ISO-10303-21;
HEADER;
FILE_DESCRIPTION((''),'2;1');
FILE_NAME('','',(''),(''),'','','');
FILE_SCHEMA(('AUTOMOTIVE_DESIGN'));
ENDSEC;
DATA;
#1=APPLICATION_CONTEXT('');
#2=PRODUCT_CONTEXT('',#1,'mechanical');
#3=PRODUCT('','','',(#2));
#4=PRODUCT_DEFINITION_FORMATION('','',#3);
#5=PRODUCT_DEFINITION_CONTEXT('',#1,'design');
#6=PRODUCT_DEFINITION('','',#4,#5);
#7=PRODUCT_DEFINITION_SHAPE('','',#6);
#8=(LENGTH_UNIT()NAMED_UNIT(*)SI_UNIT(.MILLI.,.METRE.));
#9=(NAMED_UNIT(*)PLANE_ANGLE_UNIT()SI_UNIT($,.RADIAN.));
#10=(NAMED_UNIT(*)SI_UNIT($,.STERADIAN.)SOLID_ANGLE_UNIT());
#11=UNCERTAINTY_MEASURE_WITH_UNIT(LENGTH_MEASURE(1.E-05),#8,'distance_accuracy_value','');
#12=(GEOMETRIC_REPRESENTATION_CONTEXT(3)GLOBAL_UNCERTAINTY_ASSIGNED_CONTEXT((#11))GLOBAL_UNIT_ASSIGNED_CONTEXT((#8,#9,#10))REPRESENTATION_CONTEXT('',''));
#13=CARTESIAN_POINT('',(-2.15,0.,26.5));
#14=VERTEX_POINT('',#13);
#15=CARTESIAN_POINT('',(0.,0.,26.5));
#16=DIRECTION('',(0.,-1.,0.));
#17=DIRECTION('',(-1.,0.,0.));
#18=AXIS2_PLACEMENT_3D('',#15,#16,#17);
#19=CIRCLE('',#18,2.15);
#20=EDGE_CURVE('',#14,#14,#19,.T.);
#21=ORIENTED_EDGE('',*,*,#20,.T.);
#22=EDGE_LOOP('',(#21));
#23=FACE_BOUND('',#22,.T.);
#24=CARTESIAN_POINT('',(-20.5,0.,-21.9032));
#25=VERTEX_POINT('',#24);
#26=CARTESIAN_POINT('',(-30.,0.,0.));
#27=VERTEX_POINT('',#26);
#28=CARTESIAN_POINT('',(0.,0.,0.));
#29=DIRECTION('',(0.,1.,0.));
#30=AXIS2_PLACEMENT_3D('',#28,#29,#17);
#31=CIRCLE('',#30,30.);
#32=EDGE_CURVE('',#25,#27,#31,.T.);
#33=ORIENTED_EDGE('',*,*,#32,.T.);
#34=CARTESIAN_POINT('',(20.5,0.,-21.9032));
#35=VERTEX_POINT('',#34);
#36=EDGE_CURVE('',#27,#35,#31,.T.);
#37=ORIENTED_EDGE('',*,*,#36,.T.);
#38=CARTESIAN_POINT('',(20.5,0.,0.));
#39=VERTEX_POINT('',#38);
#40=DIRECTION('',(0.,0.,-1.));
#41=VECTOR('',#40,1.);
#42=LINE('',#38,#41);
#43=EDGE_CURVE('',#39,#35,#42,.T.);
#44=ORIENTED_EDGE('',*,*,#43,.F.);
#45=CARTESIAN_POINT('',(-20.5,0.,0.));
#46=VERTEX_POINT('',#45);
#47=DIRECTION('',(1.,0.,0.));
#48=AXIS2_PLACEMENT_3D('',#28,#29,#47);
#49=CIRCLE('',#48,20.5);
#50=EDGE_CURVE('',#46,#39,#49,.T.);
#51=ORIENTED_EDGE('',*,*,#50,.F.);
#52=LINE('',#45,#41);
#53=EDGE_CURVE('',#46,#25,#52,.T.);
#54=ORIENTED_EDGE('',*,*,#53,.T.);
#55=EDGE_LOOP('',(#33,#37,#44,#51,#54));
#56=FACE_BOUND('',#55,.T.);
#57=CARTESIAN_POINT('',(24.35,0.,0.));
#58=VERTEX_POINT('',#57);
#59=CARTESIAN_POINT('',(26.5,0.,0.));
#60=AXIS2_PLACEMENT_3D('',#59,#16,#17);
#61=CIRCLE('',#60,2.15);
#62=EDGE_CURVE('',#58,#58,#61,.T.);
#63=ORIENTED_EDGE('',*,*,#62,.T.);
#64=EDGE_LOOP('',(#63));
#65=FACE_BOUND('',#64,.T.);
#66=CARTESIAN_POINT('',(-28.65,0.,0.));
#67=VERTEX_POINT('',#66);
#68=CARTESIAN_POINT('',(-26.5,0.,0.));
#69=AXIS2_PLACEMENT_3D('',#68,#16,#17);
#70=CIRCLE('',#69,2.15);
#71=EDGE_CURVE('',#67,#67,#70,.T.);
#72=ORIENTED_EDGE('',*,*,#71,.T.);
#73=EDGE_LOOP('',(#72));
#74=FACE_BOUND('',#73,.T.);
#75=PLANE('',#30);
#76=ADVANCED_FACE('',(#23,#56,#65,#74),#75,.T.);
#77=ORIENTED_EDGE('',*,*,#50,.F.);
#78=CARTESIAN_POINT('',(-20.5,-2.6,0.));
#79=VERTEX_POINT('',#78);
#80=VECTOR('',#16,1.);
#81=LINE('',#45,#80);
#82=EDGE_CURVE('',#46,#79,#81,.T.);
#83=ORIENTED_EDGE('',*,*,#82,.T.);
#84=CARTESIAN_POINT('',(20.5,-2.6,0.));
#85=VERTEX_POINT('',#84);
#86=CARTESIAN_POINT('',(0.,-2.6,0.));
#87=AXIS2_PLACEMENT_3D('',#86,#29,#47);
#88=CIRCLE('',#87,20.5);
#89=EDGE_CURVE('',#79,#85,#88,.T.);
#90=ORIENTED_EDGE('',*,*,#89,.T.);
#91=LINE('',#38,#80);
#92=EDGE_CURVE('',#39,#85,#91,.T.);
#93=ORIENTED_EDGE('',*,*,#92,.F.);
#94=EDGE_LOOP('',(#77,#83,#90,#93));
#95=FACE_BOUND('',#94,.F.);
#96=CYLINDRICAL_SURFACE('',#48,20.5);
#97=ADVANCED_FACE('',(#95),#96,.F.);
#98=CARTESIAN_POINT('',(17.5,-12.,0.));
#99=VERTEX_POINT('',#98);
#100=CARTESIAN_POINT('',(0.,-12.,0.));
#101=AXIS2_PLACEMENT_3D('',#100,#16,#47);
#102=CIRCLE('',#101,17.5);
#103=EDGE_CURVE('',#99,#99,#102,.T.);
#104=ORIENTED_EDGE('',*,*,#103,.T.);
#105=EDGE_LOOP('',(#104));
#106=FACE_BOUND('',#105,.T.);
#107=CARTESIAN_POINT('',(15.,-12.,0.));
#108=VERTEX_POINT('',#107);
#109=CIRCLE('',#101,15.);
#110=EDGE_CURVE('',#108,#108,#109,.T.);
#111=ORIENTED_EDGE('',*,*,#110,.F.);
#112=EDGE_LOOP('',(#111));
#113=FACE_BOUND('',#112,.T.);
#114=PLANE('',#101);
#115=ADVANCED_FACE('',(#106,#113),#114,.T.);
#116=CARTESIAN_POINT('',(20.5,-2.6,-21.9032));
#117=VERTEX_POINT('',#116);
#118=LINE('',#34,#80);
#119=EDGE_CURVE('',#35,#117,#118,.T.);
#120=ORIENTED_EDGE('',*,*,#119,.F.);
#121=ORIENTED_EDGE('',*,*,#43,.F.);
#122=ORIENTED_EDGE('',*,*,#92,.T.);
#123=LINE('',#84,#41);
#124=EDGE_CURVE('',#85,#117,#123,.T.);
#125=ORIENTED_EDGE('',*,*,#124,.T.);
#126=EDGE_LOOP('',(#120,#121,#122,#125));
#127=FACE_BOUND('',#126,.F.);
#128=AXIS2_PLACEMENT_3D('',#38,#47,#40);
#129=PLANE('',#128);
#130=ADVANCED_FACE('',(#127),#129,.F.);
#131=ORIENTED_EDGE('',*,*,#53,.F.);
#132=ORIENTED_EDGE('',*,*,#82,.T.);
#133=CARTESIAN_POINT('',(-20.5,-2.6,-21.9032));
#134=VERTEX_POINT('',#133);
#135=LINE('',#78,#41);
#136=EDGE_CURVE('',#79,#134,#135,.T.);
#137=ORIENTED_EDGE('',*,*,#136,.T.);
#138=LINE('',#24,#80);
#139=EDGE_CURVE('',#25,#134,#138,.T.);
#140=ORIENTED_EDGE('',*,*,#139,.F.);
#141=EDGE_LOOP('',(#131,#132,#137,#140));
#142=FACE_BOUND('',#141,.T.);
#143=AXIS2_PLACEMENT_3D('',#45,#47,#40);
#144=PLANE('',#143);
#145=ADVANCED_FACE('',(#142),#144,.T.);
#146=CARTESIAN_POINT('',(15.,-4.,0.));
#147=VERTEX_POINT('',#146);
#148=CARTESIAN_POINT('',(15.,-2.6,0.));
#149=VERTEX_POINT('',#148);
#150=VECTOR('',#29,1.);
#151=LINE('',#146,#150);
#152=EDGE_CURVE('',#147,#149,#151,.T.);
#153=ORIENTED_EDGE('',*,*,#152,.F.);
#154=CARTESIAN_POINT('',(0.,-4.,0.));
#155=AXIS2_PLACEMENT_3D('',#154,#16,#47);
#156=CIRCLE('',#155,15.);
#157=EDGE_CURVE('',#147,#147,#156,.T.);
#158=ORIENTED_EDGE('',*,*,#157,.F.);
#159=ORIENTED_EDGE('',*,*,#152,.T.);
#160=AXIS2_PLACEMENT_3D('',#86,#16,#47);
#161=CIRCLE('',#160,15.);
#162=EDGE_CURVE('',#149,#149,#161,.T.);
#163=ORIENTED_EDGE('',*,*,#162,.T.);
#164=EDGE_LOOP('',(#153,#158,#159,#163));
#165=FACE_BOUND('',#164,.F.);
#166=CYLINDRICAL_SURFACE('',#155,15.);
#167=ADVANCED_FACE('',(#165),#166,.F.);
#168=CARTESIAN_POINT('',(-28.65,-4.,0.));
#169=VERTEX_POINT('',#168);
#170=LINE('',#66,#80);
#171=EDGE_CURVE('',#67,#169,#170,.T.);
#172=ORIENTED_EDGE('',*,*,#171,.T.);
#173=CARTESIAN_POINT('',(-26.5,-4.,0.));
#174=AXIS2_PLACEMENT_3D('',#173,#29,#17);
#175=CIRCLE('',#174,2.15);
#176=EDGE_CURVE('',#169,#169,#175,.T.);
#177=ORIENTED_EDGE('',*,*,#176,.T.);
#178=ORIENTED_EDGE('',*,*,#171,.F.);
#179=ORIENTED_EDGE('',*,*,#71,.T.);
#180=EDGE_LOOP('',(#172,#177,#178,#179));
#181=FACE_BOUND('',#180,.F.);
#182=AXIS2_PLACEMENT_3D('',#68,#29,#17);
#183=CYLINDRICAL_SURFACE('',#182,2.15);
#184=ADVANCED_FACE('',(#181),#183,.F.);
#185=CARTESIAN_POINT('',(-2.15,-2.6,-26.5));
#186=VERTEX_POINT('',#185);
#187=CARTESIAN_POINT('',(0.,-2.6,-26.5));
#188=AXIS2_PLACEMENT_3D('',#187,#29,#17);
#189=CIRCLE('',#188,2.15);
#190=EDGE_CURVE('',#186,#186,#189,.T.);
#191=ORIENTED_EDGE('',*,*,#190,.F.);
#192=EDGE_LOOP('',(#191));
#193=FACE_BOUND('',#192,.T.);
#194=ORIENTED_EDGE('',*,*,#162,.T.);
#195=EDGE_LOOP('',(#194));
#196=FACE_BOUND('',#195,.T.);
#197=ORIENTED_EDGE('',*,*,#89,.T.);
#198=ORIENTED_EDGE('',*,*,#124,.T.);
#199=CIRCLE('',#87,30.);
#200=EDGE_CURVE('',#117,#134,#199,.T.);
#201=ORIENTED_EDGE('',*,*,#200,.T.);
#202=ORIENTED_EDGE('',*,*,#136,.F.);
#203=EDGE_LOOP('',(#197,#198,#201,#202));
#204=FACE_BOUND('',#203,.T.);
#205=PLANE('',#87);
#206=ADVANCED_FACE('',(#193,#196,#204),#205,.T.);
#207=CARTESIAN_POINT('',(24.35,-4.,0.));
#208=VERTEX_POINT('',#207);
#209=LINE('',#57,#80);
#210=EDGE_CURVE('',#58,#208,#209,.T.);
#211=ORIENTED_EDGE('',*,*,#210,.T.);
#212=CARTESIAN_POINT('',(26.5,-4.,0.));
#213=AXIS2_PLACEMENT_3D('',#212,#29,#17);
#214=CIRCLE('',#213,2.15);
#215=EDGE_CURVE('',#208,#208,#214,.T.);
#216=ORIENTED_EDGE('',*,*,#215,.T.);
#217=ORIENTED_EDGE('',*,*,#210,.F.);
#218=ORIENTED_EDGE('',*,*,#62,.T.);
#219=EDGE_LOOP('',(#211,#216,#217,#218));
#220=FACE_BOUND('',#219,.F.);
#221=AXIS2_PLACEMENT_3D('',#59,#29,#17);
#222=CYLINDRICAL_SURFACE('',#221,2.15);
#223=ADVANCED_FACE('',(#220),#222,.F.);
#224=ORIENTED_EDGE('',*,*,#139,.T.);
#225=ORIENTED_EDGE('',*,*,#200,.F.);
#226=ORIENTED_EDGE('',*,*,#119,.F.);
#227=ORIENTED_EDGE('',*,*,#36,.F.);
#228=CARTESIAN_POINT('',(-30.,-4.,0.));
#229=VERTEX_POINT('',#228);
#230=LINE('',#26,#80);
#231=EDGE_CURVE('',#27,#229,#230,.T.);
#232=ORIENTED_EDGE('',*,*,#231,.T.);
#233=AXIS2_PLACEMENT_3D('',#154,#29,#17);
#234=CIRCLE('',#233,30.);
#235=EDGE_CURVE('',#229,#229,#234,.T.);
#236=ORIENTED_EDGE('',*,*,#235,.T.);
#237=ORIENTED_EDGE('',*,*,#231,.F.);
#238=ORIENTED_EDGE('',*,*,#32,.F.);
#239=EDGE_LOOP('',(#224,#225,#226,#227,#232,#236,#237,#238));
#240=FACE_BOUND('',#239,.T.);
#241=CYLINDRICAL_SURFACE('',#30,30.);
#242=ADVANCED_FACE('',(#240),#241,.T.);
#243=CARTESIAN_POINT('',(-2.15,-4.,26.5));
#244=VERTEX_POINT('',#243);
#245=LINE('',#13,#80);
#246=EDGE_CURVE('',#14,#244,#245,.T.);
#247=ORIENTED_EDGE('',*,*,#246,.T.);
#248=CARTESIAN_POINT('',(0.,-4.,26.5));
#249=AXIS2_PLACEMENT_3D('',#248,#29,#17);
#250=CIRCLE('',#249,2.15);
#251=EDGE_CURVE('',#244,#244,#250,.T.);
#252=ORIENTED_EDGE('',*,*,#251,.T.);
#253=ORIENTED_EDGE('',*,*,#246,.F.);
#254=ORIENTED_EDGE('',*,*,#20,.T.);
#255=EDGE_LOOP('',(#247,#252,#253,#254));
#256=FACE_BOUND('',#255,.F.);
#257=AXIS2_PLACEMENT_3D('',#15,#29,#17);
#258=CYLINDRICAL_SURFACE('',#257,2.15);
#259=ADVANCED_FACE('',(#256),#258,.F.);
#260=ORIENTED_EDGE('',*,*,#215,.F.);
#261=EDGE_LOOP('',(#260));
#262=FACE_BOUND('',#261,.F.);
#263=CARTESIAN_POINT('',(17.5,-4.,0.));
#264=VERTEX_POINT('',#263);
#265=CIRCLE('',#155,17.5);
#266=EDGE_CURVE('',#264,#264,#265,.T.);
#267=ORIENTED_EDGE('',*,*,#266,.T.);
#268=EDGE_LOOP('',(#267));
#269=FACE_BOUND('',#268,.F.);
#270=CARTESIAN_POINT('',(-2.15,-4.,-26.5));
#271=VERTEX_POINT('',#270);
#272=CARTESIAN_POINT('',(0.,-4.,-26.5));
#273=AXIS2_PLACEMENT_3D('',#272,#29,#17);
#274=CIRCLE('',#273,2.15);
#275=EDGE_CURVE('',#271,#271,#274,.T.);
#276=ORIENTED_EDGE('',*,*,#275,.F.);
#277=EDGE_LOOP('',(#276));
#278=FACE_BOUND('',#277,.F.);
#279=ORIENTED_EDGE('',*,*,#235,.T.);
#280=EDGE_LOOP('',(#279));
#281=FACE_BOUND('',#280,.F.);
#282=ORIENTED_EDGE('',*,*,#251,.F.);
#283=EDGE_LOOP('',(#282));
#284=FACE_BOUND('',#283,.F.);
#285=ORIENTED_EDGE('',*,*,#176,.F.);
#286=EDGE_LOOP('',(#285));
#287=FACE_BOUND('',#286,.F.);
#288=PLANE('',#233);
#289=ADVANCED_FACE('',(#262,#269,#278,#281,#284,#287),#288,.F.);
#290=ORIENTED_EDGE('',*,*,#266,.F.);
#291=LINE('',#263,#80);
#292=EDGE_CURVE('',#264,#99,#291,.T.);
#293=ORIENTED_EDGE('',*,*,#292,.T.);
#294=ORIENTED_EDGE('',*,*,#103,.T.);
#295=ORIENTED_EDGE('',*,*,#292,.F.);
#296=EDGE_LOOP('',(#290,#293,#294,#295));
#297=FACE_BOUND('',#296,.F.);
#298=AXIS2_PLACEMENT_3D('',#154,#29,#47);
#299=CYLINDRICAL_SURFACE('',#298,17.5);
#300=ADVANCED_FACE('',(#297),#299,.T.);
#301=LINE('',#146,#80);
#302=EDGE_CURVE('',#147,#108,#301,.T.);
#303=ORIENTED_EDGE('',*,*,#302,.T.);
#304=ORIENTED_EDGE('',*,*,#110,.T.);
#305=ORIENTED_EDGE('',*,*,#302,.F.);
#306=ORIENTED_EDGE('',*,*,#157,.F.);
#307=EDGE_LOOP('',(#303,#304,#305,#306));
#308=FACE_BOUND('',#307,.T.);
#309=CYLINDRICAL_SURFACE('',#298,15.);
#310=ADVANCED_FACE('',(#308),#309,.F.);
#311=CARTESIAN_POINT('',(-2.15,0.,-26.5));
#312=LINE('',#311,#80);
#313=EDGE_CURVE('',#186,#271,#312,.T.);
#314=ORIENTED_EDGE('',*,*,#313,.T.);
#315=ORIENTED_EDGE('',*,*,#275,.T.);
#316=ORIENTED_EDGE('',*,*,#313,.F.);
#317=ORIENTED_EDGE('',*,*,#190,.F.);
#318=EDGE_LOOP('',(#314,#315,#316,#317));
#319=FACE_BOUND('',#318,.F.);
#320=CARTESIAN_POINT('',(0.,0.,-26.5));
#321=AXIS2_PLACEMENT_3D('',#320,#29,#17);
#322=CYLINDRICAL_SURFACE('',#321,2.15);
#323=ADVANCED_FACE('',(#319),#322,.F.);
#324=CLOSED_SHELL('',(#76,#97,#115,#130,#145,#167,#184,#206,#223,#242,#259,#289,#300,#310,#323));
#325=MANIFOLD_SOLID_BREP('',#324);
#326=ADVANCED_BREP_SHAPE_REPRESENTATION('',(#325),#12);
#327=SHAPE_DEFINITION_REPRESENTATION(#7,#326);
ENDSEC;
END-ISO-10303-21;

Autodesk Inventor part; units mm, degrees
ref_plane "YZ Plane" through (0, 0, 0) normal (1, 0, 0) x (0, 1, 0)
ref_plane "XZ Plane" through (0, 0, 0) normal (0, 1, 0) x (-1, 0, 0)
ref_plane "XY Plane" through (0, 0, 0) normal (0, 0, 1) x (1, 0, 0)
sketch "Sketch1" plane through (0, 0, 0) normal (0, 1, 0) x (-1, 0, 0)
  circle A0 centre (0, 0) radius 30
  circle A1 centre (0, 0) radius 22.5
  circle A2 centre (0, 0) radius 26.5
  circle A3 centre (0, 26.5) radius 2.15
  circle A4 centre (-26.5, 0) radius 2.15
  circle A5 centre (0, -26.5) radius 2.15
  circle A6 centre (26.5, 0) radius 2.15
  dimension "d3" = 53
  dimension "d0" = 60
  dimension "d1" = 45
  dimension "d4" = 4.3
  dimension "d7" = 360
extrude "Extrusion1" add sketch "Sketch1" against normal blind 4 contours A0 | A1 | A6 A2 A5 A4 A3
sketch "Sketch2" plane through (0, 0, 0) normal (0, 1, 0) x (1, 0, 0)
  circle A0 centre (0, 0) radius 20.5
  line L0 (-20.5, 0) -> (-20.5, 21.9032)
  circle A1 centre (0, 0) radius 30 projected
  line L1 (20.5, 0) -> (20.5, 21.9032)
  circle A2 centre (0, 0) radius 30
  dimension "d11" = 41
extrude "Extrusion2" cut sketch "Sketch2" against normal blind 2.6 contours A0 | A0 L0 A1 L1 picked at (-0.8237, 26.6681)
sketch "Sketch3" plane through (0, -4, 0) normal (0, -1, 0) x (1, 0, 0)
  circle A0 centre (0, 0) radius 15
  dimension "d14" = 30
extrude "Extrusion3" cut sketch "Sketch3" against normal through all
sketch "Sketch4" plane through (0, -4, 0) normal (0, -1, 0) x (1, 0, 0)
  circle A0 centre (0, 0) radius 15
  circle A1 centre (0, 0) radius 17.5
  dimension "d17" = 30
  dimension "d18" = 35
extrude "Extrusion4" add sketch "Sketch4" along normal blind 8
properties part number "LoadCellMount"
